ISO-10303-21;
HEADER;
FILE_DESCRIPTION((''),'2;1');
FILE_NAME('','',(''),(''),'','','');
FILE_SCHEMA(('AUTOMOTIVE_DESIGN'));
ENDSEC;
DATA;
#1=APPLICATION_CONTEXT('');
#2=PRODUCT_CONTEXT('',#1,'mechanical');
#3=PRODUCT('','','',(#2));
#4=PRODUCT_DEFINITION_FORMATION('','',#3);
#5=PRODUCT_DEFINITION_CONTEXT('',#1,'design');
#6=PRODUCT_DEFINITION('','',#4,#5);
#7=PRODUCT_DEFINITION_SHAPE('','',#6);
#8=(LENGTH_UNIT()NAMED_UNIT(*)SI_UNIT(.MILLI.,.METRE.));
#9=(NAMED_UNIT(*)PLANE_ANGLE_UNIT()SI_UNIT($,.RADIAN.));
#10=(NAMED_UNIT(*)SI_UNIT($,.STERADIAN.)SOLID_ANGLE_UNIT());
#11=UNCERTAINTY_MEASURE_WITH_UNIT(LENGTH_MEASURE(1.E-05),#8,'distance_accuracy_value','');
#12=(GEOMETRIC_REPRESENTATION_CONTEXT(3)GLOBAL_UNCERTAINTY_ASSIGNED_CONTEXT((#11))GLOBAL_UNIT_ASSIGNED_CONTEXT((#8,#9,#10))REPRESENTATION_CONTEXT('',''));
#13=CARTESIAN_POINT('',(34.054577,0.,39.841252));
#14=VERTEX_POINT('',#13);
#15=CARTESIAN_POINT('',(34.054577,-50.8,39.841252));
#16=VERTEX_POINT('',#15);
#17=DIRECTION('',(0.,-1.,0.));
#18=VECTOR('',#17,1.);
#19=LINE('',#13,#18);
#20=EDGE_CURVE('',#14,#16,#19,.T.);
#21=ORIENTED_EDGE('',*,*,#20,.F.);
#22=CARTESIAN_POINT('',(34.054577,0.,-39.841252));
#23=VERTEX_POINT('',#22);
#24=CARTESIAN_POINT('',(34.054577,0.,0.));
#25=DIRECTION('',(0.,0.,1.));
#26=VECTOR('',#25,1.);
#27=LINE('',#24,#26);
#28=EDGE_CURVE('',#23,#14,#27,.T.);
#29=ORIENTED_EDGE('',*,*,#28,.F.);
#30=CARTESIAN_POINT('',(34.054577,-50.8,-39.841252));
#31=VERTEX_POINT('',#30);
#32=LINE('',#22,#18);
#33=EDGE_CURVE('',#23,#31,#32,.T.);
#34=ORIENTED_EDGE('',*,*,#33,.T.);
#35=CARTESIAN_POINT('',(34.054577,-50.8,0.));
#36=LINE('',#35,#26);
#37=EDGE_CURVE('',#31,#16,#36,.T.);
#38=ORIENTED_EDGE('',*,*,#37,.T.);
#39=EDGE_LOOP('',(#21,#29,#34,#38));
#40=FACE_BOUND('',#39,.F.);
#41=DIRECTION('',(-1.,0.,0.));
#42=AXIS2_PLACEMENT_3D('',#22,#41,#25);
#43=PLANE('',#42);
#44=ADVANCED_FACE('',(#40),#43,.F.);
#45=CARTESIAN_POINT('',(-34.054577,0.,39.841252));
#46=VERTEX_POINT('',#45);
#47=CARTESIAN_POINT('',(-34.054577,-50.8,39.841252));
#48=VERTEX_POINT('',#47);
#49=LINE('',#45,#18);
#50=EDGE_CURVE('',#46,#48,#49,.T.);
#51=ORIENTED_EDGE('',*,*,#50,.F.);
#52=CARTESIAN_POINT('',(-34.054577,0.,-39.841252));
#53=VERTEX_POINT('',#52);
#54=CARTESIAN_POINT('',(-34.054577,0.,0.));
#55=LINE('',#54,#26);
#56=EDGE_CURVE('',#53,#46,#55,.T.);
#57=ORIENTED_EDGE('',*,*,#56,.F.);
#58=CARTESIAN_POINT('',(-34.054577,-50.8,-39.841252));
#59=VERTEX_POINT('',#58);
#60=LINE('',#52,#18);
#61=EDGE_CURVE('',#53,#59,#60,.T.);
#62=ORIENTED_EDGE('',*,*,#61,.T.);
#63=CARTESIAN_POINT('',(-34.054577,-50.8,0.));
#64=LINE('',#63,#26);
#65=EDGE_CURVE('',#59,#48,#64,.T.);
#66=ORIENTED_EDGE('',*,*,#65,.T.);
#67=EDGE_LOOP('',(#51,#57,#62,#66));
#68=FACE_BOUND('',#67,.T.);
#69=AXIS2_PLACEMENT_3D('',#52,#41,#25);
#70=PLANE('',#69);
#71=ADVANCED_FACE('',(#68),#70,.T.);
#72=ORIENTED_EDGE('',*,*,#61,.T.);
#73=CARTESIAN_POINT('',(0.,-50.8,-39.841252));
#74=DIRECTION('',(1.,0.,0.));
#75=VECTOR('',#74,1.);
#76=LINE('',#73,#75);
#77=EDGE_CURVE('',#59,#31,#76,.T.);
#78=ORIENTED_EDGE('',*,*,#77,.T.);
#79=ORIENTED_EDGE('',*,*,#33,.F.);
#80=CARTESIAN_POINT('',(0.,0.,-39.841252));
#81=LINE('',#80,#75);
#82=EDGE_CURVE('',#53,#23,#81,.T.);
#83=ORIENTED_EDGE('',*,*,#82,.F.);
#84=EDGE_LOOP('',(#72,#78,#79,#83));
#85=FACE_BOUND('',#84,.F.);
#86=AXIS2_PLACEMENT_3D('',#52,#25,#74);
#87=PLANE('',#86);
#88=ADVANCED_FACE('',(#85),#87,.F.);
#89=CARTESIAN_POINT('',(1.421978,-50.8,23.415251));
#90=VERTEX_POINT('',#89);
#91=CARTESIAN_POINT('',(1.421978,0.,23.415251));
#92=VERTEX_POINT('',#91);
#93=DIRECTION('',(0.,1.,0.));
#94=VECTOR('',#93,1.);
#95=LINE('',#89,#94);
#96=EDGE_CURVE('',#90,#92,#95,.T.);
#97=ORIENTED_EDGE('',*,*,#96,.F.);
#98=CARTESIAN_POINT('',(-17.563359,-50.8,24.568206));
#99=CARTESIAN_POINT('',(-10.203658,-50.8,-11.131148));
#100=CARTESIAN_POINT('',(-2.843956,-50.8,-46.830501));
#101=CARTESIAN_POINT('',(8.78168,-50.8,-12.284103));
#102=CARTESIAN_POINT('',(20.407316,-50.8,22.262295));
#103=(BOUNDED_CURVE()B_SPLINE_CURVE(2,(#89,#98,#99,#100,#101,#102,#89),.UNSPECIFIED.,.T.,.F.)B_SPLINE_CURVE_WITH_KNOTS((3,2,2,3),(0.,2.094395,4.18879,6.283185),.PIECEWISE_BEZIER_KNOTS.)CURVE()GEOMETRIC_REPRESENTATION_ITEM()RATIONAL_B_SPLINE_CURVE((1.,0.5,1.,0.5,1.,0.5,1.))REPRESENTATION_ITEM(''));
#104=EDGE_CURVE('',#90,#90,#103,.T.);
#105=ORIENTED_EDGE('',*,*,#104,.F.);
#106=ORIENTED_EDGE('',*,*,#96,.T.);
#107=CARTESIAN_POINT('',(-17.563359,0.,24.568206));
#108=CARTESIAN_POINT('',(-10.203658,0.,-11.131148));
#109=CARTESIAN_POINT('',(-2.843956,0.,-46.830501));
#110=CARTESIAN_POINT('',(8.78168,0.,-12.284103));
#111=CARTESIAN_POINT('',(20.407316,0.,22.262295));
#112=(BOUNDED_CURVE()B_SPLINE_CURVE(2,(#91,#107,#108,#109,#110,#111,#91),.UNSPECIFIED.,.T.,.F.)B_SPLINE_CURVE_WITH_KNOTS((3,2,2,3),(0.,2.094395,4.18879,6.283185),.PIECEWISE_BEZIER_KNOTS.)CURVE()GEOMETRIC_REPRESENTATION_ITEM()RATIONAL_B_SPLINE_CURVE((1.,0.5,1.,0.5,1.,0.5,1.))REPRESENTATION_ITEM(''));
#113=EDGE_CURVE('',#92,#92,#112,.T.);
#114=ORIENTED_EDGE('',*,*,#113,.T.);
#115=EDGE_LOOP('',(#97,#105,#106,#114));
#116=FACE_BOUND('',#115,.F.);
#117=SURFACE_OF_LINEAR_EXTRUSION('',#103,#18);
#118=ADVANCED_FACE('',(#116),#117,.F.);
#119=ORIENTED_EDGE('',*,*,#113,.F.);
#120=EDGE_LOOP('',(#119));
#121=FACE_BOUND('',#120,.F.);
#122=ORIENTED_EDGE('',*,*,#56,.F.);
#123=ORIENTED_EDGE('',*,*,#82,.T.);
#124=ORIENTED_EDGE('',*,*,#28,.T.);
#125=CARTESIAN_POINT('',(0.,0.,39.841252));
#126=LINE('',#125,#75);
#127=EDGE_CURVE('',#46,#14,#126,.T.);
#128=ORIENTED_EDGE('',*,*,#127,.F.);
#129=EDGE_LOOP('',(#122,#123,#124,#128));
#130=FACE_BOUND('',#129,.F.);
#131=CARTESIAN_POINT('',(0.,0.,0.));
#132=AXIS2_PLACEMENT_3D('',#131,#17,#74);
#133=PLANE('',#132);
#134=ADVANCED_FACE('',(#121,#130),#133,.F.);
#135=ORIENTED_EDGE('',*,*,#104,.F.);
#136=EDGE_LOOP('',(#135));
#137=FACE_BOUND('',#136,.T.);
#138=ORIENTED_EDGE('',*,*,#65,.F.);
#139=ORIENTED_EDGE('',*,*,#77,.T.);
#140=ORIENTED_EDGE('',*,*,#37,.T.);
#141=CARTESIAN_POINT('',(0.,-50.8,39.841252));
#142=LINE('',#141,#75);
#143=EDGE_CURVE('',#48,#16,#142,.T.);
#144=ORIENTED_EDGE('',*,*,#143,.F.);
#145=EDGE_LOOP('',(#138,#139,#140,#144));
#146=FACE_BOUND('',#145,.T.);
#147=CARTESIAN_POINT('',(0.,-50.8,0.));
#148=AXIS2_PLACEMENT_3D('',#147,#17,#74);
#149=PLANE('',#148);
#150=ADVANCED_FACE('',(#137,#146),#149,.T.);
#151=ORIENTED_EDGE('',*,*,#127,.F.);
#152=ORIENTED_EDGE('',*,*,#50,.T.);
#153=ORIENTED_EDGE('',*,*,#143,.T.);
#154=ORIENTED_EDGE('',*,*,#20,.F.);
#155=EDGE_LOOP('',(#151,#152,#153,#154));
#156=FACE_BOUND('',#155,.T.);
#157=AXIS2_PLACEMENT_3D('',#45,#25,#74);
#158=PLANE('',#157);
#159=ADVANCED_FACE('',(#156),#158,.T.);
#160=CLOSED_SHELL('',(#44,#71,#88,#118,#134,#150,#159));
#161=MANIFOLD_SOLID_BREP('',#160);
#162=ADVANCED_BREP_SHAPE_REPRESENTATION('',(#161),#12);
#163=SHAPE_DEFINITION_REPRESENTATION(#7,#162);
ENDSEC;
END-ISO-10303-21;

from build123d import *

# Parameters (mm, degrees)
F0_W     = 68.109154
F0_H     = 79.682504
F1_DEPTH = 50.8
F3_DEPTH = 50.8


with BuildPart() as f1:
    # F0 (on Front) → F1 (new body)
    with BuildSketch(Plane.XZ):
        Rectangle(F0_W, F0_H)
    extrude(amount=F1_DEPTH)

    # F2 (on face) → F3 (cut, through all)
    with BuildSketch(Plane.XZ.offset(50.8)):
        with BuildLine():
            add(Edge.make_bspline(
                [(1.421978, 23.415251), (-17.563359, 24.568206), (-10.203658, -11.131148), (-2.843956, -46.830501), (8.78168, -12.284103), (20.407316, 22.262295), (1.421978, 23.415251)],
                knots=[0, 0, 0, 2.094395, 2.094395, 4.18879, 4.18879, 6.283185, 6.283185, 6.283185], degree=2, weights=[1, 0.5, 1, 0.5, 1, 0.5, 1]))
        make_face()
    extrude(amount=-F3_DEPTH, mode=Mode.SUBTRACT)


solid = f1.part
